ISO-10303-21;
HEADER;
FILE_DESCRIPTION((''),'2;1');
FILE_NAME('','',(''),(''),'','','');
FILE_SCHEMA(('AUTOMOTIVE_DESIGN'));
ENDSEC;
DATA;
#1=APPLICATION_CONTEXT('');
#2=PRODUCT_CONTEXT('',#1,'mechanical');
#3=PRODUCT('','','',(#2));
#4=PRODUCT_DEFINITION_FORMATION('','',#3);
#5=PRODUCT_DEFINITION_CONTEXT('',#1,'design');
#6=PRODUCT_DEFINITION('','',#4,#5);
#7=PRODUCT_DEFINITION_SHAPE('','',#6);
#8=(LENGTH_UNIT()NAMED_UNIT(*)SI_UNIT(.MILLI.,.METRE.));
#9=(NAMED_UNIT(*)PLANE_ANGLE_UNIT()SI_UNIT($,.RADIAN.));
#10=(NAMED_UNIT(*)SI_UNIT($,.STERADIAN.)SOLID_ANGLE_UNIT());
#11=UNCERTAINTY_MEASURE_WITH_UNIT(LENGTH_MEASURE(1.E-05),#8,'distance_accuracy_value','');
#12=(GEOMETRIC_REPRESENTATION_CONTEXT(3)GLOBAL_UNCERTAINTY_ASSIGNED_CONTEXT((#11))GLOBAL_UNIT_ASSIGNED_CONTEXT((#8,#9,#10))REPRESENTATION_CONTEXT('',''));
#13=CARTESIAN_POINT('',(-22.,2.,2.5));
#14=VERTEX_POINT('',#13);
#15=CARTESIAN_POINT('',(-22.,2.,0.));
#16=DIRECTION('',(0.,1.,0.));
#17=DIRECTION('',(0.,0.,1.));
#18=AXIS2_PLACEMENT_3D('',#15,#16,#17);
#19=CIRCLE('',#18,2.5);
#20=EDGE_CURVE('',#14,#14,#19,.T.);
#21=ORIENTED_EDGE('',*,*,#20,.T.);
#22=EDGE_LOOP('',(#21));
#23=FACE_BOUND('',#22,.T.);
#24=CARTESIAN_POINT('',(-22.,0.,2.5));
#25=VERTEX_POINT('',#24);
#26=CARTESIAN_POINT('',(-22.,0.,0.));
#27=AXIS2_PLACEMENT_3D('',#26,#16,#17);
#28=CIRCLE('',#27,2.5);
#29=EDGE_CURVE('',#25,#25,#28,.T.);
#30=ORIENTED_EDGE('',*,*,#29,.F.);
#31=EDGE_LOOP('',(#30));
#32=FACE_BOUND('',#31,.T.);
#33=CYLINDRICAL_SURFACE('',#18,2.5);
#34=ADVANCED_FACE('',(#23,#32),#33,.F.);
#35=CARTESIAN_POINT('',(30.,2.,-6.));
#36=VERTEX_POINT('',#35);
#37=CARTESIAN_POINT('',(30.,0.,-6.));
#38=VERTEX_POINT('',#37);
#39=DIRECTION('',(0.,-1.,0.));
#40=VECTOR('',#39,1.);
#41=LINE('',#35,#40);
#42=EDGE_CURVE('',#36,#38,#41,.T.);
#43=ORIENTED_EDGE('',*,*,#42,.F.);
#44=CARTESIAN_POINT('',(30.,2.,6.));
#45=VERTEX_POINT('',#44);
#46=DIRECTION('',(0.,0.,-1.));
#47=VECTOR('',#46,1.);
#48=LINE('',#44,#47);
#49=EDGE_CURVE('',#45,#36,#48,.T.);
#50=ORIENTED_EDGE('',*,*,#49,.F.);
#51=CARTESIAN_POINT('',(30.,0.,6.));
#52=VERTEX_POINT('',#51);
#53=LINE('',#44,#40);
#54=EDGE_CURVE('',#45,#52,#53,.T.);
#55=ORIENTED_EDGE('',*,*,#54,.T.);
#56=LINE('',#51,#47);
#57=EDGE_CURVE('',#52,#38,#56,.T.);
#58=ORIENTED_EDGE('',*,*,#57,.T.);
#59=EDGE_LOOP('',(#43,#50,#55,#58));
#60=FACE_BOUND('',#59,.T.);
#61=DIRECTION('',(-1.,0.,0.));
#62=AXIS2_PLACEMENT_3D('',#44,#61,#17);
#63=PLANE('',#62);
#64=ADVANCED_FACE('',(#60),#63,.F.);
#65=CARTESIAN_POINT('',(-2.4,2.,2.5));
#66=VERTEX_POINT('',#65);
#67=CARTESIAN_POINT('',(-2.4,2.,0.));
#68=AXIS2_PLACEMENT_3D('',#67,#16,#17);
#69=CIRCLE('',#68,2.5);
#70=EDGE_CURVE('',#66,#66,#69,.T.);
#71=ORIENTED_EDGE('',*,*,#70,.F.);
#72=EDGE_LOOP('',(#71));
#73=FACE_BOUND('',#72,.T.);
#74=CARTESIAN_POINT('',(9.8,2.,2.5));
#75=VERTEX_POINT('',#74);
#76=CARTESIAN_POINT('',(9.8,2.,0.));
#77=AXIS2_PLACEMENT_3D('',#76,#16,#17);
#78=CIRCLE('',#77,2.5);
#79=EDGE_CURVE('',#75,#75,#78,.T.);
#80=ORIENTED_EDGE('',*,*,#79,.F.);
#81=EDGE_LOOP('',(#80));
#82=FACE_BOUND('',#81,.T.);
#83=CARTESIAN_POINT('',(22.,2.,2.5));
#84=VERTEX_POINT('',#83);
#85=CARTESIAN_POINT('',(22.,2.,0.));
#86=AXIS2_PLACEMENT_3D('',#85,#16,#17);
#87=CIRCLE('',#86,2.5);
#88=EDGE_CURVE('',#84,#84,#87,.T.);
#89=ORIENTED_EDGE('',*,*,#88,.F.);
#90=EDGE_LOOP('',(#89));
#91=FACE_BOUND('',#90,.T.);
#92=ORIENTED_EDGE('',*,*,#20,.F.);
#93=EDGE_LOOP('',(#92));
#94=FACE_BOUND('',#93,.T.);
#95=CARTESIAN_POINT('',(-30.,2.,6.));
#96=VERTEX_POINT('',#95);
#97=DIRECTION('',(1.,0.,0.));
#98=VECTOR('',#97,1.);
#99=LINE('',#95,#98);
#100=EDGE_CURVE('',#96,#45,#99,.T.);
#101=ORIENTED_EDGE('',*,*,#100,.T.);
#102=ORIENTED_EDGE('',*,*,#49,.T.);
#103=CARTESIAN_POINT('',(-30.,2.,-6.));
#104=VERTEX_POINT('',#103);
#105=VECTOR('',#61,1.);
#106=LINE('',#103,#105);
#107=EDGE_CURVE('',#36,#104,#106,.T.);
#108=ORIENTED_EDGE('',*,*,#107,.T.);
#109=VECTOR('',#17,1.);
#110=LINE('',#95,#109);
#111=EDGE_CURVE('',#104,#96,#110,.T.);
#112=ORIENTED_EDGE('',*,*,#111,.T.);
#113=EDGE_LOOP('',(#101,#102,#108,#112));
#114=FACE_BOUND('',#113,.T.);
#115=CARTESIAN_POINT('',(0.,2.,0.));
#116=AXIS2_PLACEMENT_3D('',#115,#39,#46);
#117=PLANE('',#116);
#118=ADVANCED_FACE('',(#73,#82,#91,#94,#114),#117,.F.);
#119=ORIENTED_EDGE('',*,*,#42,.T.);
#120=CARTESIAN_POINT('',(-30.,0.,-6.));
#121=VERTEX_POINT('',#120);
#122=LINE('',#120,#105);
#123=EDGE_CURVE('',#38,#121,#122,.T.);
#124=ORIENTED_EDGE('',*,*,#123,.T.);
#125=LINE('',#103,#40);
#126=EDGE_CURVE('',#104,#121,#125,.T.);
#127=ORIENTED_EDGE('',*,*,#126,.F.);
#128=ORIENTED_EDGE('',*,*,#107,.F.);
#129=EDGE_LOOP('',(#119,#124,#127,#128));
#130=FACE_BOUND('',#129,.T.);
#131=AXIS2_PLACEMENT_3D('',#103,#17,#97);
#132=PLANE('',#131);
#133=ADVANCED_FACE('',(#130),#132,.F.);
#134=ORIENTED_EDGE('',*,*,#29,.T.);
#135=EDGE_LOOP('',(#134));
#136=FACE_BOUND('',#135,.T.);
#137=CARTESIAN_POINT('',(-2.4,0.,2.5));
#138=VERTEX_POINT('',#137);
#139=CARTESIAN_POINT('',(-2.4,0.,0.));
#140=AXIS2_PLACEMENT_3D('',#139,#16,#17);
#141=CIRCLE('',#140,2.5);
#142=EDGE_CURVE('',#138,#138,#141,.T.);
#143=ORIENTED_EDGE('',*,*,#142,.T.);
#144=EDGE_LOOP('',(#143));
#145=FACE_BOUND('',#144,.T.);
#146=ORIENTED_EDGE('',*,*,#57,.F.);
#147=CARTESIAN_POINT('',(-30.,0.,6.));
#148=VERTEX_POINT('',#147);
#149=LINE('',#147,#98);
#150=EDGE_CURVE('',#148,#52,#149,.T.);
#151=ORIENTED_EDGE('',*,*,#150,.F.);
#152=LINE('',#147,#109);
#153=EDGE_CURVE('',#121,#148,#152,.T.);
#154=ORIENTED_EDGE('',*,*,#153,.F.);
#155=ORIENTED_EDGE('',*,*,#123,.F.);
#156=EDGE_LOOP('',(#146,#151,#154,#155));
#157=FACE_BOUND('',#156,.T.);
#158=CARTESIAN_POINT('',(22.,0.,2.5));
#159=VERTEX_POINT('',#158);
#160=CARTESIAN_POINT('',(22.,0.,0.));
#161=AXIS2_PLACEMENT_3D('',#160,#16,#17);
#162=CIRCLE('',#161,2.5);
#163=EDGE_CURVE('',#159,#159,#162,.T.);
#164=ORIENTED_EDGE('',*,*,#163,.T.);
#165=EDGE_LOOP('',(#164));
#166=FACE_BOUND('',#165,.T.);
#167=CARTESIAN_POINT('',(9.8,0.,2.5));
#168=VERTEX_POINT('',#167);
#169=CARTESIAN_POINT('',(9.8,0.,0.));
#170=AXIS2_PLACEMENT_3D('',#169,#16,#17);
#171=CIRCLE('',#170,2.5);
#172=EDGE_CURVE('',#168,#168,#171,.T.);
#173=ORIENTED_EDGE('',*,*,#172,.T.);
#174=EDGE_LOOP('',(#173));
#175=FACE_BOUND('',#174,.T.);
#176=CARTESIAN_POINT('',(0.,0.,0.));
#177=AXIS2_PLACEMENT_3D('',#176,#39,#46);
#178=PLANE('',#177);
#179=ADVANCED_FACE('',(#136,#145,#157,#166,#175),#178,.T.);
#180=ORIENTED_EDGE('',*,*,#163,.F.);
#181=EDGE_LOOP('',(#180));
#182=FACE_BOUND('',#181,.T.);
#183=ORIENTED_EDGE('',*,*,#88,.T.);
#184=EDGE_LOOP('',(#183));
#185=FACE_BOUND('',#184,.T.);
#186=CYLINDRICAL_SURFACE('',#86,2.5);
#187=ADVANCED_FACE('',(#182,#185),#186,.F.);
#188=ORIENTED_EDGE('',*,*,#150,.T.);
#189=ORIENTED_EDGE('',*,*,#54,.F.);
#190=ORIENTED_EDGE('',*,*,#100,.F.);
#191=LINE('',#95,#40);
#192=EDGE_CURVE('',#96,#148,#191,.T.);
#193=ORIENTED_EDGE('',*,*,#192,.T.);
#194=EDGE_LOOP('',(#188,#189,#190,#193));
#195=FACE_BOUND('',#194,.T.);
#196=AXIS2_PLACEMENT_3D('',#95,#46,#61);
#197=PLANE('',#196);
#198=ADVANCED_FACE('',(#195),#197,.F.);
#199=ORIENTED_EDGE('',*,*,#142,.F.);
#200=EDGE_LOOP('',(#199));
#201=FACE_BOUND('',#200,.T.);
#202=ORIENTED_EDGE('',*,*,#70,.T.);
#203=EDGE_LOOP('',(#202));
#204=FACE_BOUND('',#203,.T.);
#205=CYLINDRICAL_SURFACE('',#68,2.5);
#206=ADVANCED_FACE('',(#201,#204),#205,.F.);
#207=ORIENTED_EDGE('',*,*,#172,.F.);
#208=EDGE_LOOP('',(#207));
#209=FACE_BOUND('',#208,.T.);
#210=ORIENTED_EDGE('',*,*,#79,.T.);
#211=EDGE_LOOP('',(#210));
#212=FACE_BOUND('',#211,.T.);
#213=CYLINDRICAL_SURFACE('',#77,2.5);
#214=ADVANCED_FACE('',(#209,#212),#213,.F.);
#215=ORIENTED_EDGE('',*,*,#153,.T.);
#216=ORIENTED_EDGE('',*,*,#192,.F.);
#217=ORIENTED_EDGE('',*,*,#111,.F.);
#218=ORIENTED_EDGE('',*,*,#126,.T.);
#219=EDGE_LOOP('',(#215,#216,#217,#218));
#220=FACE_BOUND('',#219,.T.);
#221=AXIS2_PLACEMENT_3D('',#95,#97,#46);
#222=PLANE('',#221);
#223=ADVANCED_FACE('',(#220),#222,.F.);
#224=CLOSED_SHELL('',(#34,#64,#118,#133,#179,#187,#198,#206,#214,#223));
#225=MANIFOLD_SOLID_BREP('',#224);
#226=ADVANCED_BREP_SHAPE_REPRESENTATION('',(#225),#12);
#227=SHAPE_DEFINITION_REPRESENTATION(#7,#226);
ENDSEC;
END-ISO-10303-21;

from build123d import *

# Parameters (mm, degrees)
SKETCH1_W             = 60
SKETCH1_H             = 12
BOSS_EXTRUDE1_DEPTH   = 2
F_5_0MM_DOWEL_HOLE1_D = 5


with BuildPart() as part:
    # Sketch1 → Boss-Extrude1 (new body)
    with BuildSketch(Plane(origin=(0, 0, 0), x_dir=(1, 0, 0), z_dir=(0, 1, 0))):
        Rectangle(SKETCH1_W, SKETCH1_H)
    extrude(amount=BOSS_EXTRUDE1_DEPTH)

    # Ø5.0mm Dowel Hole1 (through all)
    with Locations(Plane(origin=(0, 2, 0), x_dir=(1, 0, 0), z_dir=(0, 1, 0))):
        with Locations((22, 0), (9.8, 0), (-2.4, 0), (-22, 0)):
            Hole(F_5_0MM_DOWEL_HOLE1_D / 2)


solid = part.part
